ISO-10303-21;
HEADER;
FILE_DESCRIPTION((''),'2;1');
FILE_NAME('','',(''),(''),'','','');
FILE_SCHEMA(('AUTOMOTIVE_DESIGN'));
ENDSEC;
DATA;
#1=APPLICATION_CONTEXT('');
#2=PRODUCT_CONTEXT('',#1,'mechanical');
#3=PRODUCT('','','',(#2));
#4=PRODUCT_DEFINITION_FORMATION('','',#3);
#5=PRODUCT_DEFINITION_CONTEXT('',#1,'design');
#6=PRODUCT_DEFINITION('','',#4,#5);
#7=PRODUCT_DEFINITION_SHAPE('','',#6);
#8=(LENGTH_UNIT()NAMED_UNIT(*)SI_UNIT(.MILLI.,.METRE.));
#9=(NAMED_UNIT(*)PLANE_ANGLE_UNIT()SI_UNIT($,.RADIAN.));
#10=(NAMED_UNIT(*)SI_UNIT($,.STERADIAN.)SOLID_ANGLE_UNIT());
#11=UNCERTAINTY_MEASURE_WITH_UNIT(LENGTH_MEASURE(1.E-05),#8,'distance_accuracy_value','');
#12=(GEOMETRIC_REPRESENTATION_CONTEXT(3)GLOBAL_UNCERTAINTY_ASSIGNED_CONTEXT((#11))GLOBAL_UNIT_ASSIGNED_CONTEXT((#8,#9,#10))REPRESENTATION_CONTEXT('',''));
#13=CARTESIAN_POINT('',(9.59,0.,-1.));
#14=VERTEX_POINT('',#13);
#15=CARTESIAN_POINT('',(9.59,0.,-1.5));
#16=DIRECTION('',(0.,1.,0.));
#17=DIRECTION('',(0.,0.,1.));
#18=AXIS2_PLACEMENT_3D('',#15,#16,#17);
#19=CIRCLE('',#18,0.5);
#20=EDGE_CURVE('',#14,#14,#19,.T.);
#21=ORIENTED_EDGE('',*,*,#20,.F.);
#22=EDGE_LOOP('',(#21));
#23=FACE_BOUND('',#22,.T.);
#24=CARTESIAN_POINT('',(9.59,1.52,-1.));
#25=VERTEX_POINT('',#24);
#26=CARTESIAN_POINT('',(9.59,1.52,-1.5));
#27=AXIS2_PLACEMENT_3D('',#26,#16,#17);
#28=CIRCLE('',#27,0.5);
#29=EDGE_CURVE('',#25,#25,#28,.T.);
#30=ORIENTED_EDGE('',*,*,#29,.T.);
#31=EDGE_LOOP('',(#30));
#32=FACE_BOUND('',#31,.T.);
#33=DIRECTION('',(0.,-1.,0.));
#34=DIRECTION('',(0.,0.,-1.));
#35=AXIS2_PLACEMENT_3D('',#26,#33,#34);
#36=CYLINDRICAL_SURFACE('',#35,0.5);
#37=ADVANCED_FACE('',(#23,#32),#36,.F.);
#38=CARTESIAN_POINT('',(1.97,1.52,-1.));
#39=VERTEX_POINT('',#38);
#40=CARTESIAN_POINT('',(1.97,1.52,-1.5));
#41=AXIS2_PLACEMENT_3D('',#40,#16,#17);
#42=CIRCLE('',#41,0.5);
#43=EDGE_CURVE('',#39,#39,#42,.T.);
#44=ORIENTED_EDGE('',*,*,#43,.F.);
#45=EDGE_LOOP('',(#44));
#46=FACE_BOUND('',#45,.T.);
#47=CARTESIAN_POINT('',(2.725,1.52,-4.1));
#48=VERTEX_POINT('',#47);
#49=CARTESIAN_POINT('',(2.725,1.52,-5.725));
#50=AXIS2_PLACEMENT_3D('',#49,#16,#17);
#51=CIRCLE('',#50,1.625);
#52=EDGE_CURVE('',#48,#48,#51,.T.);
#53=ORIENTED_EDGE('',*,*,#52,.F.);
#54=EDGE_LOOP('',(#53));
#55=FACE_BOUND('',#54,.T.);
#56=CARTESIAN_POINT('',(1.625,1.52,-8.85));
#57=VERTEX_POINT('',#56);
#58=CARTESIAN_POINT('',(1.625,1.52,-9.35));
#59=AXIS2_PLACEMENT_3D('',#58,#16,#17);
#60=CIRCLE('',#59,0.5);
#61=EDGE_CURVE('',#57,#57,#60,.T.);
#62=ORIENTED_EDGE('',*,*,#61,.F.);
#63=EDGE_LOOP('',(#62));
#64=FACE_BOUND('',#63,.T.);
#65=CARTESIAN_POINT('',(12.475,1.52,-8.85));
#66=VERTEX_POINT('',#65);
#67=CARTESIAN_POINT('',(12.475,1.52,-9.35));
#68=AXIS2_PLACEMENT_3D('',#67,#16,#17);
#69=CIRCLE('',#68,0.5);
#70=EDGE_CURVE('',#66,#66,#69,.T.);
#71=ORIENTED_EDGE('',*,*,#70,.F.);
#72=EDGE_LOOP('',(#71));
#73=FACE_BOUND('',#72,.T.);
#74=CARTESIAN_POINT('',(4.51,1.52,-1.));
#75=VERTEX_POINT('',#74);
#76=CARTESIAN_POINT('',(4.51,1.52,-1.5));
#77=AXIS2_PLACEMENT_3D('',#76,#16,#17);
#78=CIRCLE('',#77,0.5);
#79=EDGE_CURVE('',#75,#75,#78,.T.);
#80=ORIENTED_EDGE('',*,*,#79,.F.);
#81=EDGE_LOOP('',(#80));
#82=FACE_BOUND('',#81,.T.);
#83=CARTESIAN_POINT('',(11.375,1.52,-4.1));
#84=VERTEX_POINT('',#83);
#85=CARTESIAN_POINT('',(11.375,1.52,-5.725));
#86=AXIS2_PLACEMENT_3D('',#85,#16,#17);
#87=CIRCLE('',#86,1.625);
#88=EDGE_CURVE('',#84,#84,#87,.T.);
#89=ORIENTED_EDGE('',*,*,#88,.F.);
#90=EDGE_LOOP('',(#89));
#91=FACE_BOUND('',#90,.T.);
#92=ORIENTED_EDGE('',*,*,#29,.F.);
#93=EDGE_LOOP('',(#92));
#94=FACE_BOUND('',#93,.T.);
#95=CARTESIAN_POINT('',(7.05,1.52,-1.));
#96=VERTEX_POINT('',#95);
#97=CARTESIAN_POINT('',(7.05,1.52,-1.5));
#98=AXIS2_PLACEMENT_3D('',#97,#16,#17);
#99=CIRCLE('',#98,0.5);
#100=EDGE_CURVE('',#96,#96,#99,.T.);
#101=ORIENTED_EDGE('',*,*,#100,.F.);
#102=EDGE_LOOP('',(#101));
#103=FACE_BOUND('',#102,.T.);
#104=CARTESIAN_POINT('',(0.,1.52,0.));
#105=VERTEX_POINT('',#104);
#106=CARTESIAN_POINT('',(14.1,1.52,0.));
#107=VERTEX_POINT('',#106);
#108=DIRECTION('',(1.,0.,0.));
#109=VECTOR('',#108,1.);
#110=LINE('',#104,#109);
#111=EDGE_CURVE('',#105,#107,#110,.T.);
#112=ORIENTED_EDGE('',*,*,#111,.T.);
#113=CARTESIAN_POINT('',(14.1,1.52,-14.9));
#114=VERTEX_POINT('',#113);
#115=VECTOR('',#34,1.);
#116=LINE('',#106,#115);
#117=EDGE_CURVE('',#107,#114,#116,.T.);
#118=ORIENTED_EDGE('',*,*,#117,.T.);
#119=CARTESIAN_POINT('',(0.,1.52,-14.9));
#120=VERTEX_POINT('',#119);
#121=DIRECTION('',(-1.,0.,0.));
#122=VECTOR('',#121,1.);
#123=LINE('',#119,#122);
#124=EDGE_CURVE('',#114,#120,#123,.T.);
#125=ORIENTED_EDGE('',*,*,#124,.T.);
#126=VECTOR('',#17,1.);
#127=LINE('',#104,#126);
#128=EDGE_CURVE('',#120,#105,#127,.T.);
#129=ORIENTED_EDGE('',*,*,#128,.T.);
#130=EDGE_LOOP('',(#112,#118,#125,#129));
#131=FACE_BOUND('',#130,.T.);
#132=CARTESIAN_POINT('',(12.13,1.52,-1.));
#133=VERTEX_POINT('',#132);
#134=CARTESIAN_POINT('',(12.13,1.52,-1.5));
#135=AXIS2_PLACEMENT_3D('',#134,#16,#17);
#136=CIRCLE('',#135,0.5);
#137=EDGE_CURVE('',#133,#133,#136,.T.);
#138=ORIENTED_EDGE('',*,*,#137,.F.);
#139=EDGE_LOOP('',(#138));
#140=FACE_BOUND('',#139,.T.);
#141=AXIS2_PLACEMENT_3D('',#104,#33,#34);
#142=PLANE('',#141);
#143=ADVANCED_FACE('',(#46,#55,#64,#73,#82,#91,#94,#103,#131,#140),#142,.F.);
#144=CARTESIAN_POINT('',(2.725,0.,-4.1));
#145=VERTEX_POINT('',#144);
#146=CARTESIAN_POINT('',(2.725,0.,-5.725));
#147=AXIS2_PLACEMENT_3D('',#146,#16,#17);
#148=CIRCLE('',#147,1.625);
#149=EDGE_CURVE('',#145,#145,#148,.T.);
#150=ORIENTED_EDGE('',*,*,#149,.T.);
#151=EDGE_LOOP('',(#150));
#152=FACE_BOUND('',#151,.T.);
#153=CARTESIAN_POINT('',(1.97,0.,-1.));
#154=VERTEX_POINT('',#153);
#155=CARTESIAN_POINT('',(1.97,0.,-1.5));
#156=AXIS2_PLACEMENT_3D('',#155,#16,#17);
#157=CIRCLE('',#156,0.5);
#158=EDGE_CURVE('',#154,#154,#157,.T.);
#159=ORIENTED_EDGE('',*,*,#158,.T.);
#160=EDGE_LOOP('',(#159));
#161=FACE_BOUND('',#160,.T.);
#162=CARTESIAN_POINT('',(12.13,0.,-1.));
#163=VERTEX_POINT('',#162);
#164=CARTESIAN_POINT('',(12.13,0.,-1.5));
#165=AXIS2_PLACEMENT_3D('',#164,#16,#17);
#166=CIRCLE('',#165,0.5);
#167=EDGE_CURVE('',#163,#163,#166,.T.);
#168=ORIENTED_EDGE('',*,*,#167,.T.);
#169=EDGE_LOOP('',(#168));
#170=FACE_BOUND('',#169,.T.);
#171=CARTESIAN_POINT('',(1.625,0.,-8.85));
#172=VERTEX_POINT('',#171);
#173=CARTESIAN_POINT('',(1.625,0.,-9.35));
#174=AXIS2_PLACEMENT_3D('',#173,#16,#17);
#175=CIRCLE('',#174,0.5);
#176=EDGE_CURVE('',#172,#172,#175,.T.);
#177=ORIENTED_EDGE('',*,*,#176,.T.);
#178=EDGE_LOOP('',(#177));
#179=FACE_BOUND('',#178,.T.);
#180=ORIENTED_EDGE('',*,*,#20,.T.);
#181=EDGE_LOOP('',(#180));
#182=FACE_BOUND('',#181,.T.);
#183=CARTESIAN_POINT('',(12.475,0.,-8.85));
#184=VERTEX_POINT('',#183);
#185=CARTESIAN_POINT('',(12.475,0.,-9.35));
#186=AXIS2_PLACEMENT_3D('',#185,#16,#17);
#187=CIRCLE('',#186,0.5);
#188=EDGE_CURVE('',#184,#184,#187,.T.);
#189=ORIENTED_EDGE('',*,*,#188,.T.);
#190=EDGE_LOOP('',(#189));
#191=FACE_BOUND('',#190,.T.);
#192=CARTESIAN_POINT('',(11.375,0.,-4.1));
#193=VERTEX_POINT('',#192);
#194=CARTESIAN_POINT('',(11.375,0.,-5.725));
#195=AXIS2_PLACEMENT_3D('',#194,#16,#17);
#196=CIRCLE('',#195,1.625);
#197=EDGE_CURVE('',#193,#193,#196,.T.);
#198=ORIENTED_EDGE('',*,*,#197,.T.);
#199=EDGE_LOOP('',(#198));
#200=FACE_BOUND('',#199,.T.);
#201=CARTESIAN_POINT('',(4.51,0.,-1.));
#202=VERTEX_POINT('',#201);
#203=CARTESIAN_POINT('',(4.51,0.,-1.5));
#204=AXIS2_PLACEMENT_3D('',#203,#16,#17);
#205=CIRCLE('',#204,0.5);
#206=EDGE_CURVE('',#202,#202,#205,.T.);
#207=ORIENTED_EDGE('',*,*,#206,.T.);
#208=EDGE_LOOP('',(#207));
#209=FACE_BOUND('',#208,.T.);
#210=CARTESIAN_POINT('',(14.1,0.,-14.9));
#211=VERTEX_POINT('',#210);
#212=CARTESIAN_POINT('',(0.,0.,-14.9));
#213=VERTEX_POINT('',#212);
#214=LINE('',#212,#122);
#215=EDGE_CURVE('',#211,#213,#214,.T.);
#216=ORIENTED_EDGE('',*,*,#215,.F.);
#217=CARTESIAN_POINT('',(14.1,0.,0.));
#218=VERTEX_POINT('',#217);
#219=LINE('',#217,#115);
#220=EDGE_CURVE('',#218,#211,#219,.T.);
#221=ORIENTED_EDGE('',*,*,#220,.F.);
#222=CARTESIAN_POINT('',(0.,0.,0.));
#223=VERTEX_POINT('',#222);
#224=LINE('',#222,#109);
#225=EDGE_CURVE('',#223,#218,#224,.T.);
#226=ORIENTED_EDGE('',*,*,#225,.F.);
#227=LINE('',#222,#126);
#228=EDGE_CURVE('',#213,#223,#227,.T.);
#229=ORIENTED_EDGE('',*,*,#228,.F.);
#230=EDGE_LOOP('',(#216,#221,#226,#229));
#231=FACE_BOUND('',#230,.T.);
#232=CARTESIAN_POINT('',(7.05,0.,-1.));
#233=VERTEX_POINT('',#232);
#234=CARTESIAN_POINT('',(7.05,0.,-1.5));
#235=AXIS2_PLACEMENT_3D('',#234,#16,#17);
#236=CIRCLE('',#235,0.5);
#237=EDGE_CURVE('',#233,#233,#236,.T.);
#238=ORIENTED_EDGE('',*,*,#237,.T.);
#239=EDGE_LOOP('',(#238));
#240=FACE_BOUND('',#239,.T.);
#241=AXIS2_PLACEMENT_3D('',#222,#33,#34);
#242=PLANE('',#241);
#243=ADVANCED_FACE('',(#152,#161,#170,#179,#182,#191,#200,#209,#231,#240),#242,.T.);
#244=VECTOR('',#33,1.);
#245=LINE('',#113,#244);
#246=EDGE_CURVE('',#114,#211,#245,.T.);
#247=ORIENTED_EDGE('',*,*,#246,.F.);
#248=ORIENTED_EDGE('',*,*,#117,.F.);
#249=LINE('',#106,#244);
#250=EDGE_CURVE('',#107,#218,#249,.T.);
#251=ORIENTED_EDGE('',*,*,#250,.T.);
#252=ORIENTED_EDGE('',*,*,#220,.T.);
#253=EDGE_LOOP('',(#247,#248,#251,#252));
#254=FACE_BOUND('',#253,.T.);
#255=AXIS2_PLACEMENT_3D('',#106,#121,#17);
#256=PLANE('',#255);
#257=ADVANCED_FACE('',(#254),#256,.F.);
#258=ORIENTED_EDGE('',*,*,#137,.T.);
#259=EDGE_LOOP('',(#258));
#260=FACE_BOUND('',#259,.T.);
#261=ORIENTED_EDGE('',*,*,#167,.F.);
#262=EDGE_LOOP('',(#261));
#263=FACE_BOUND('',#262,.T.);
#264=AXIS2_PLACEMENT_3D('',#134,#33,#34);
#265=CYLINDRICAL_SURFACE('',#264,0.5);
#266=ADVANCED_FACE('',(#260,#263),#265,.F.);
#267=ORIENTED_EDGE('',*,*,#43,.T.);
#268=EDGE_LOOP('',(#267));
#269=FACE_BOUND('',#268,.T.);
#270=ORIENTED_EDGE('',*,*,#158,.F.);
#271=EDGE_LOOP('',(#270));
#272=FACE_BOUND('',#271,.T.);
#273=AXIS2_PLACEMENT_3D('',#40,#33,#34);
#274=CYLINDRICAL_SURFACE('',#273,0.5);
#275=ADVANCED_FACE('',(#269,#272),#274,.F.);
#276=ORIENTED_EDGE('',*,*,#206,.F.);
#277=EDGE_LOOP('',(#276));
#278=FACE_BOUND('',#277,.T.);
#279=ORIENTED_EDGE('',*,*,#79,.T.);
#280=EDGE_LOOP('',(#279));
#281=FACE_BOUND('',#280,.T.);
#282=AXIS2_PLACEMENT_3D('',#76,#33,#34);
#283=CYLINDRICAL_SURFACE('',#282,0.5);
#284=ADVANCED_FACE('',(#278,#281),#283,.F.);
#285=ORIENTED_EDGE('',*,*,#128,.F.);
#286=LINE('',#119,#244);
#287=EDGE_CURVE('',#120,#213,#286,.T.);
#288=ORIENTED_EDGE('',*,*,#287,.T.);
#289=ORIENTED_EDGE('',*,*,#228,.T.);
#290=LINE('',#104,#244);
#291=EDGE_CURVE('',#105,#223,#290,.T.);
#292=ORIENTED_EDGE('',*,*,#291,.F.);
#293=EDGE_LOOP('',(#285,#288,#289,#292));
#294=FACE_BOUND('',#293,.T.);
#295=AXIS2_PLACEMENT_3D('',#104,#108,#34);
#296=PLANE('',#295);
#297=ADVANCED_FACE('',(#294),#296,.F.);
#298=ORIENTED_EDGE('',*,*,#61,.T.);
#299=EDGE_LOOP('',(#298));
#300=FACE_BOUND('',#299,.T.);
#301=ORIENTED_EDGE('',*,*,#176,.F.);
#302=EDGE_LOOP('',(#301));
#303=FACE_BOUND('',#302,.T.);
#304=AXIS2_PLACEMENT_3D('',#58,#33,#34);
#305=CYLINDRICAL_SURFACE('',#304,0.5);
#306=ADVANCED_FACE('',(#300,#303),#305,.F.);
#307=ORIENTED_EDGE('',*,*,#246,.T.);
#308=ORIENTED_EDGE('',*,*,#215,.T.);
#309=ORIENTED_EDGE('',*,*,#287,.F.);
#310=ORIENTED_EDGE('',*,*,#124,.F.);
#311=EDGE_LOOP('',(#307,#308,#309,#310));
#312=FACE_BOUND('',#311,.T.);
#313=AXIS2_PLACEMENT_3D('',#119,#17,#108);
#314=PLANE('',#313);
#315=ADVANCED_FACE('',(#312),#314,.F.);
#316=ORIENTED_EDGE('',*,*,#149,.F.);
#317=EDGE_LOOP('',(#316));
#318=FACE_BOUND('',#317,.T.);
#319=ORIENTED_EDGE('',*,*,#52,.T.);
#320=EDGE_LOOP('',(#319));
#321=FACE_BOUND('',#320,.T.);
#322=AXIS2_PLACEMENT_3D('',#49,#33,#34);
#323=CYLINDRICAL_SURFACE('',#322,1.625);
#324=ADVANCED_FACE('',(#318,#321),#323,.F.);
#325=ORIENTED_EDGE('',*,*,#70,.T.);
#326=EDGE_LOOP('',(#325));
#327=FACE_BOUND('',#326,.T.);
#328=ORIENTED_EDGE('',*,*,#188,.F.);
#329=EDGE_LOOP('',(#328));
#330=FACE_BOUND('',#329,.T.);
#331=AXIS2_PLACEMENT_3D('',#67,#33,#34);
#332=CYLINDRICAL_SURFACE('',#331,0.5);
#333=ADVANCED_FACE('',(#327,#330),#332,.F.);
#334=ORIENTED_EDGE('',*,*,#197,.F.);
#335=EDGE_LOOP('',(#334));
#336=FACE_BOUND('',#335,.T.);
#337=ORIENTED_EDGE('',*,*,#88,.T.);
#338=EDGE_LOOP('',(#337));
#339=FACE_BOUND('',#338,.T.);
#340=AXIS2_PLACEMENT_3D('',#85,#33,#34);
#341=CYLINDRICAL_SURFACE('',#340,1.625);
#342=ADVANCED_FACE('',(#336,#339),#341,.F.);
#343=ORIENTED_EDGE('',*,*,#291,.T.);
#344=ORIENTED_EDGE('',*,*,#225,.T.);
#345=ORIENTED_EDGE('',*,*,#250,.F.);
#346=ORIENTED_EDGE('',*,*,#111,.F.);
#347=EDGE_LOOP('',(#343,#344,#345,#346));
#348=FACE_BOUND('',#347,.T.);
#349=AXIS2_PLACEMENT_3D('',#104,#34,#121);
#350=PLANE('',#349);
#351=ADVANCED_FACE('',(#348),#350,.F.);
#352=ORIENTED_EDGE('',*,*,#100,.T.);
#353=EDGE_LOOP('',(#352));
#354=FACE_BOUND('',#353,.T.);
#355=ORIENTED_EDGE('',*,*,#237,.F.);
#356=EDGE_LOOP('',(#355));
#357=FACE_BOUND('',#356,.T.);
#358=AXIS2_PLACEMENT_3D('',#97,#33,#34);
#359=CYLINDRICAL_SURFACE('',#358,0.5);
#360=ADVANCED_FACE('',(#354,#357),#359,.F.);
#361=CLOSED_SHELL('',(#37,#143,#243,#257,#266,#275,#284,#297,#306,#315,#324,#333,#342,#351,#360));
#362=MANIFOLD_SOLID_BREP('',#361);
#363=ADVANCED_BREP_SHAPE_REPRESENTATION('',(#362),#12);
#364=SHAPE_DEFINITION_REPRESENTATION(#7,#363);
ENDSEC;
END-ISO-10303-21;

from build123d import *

# Parameters (mm, degrees)
SKETCH1_W           = 14.1
SKETCH1_H           = 14.9
SKETCH1_R           = 1.625
SKETCH1_R_2         = 0.5
BOSS_EXTRUDE1_DEPTH = 1.52


with BuildPart() as part:
    # Sketch1 → Boss-Extrude1 (new body)
    with BuildSketch(Plane(origin=(0, 0, 0), x_dir=(1, 0, 0), z_dir=(0, 1, 0))):
        with Locations((7.05, 7.45)):
            Rectangle(SKETCH1_W, SKETCH1_H)
        with Locations(Location((2.725, 5.725, 0), (0, 0, 270))):
            Circle(SKETCH1_R, mode=Mode.SUBTRACT)
        with Locations(Location((11.375, 5.725, 0), (0, 0, 270))):
            Circle(SKETCH1_R, mode=Mode.SUBTRACT)
        with Locations(Location((1.97, 1.5, 0), (0, 0, 270))):
            Circle(SKETCH1_R_2, mode=Mode.SUBTRACT)
        with Locations(Location((4.51, 1.5, 0), (0, 0, 270))):
            Circle(SKETCH1_R_2, mode=Mode.SUBTRACT)
        with Locations(Location((7.05, 1.5, 0), (0, 0, 270))):
            Circle(SKETCH1_R_2, mode=Mode.SUBTRACT)
        with Locations(Location((9.59, 1.5, 0), (0, 0, 270))):
            Circle(SKETCH1_R_2, mode=Mode.SUBTRACT)
        with Locations(Location((12.13, 1.5, 0), (0, 0, 270))):
            Circle(SKETCH1_R_2, mode=Mode.SUBTRACT)
        with Locations(Location((1.625, 9.35, 0), (0, 0, 270))):
            Circle(SKETCH1_R_2, mode=Mode.SUBTRACT)
        with Locations(Location((12.475, 9.35, 0), (0, 0, 270))):
            Circle(SKETCH1_R_2, mode=Mode.SUBTRACT)
    extrude(amount=BOSS_EXTRUDE1_DEPTH)


solid = part.part
